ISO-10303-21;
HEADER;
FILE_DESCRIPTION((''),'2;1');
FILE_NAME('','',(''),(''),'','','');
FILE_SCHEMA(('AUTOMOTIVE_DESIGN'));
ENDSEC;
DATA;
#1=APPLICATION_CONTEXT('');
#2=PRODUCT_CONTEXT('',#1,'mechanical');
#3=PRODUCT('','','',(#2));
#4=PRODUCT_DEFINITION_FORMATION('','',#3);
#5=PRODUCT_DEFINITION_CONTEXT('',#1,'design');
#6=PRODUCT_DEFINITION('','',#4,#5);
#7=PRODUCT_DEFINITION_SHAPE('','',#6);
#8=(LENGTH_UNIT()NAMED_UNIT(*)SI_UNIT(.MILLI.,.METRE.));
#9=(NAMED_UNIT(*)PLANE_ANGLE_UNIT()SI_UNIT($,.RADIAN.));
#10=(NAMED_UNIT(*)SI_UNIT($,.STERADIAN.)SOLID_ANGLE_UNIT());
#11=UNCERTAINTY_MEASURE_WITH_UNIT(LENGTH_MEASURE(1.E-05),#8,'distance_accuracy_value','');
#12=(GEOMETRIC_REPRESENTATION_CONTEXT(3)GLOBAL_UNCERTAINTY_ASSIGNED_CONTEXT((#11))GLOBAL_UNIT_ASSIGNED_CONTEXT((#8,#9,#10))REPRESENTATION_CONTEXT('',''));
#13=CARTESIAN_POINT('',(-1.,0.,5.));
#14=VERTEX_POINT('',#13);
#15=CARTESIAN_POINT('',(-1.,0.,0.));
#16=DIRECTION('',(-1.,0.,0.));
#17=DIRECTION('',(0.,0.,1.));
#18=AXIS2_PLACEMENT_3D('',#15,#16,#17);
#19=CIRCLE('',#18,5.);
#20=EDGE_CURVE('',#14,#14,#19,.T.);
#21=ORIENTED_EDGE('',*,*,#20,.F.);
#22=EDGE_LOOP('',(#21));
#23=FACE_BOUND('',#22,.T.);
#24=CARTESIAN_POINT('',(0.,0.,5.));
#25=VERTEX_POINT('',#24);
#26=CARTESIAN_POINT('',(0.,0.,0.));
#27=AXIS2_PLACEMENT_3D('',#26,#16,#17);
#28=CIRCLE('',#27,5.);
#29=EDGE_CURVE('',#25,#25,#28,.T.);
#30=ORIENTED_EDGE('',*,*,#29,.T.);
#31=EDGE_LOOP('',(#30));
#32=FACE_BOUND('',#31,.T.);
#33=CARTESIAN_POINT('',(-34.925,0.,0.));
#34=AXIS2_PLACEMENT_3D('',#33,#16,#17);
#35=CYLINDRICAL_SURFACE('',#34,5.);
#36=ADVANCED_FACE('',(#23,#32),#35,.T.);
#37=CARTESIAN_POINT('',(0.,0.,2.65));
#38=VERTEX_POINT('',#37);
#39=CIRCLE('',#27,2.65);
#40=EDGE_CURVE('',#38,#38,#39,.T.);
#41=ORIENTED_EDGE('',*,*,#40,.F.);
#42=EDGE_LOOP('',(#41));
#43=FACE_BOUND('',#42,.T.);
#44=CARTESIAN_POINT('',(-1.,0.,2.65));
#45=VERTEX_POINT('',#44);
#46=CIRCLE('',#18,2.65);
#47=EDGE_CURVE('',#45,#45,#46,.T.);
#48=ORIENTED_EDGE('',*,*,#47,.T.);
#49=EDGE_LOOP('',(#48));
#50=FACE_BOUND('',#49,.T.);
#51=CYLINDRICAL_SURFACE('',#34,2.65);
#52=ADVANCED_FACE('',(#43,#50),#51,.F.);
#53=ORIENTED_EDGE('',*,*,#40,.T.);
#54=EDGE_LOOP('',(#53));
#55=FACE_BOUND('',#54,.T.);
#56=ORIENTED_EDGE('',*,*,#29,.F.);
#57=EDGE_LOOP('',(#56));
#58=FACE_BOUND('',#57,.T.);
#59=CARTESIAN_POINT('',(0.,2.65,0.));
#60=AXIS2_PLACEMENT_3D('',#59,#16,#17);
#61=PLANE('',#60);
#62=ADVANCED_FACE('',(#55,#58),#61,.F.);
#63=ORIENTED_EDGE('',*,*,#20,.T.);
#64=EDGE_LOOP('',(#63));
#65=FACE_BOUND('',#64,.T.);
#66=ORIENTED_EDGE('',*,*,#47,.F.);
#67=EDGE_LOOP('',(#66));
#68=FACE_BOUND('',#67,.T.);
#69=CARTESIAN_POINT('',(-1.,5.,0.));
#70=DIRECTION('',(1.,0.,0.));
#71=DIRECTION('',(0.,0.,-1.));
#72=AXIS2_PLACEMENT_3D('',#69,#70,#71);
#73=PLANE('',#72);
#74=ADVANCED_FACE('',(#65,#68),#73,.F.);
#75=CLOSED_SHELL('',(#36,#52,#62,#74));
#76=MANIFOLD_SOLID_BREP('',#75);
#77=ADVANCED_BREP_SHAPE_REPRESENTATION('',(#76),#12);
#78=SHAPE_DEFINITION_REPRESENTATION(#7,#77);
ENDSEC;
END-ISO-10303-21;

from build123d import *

# Parameters (mm, degrees)
SKETCH1_W = 1
SKETCH1_H = 2.35


with BuildPart() as part:
    # Sketch1 → Base-Revolve (revolve)
    with BuildSketch(Plane.XY):
        with Locations((-0.5, 3.825)):
            Rectangle(SKETCH1_W, SKETCH1_H)
    revolve(axis=Axis((-34.925, 0, 0), (1, 0, 0)))


solid = part.part
